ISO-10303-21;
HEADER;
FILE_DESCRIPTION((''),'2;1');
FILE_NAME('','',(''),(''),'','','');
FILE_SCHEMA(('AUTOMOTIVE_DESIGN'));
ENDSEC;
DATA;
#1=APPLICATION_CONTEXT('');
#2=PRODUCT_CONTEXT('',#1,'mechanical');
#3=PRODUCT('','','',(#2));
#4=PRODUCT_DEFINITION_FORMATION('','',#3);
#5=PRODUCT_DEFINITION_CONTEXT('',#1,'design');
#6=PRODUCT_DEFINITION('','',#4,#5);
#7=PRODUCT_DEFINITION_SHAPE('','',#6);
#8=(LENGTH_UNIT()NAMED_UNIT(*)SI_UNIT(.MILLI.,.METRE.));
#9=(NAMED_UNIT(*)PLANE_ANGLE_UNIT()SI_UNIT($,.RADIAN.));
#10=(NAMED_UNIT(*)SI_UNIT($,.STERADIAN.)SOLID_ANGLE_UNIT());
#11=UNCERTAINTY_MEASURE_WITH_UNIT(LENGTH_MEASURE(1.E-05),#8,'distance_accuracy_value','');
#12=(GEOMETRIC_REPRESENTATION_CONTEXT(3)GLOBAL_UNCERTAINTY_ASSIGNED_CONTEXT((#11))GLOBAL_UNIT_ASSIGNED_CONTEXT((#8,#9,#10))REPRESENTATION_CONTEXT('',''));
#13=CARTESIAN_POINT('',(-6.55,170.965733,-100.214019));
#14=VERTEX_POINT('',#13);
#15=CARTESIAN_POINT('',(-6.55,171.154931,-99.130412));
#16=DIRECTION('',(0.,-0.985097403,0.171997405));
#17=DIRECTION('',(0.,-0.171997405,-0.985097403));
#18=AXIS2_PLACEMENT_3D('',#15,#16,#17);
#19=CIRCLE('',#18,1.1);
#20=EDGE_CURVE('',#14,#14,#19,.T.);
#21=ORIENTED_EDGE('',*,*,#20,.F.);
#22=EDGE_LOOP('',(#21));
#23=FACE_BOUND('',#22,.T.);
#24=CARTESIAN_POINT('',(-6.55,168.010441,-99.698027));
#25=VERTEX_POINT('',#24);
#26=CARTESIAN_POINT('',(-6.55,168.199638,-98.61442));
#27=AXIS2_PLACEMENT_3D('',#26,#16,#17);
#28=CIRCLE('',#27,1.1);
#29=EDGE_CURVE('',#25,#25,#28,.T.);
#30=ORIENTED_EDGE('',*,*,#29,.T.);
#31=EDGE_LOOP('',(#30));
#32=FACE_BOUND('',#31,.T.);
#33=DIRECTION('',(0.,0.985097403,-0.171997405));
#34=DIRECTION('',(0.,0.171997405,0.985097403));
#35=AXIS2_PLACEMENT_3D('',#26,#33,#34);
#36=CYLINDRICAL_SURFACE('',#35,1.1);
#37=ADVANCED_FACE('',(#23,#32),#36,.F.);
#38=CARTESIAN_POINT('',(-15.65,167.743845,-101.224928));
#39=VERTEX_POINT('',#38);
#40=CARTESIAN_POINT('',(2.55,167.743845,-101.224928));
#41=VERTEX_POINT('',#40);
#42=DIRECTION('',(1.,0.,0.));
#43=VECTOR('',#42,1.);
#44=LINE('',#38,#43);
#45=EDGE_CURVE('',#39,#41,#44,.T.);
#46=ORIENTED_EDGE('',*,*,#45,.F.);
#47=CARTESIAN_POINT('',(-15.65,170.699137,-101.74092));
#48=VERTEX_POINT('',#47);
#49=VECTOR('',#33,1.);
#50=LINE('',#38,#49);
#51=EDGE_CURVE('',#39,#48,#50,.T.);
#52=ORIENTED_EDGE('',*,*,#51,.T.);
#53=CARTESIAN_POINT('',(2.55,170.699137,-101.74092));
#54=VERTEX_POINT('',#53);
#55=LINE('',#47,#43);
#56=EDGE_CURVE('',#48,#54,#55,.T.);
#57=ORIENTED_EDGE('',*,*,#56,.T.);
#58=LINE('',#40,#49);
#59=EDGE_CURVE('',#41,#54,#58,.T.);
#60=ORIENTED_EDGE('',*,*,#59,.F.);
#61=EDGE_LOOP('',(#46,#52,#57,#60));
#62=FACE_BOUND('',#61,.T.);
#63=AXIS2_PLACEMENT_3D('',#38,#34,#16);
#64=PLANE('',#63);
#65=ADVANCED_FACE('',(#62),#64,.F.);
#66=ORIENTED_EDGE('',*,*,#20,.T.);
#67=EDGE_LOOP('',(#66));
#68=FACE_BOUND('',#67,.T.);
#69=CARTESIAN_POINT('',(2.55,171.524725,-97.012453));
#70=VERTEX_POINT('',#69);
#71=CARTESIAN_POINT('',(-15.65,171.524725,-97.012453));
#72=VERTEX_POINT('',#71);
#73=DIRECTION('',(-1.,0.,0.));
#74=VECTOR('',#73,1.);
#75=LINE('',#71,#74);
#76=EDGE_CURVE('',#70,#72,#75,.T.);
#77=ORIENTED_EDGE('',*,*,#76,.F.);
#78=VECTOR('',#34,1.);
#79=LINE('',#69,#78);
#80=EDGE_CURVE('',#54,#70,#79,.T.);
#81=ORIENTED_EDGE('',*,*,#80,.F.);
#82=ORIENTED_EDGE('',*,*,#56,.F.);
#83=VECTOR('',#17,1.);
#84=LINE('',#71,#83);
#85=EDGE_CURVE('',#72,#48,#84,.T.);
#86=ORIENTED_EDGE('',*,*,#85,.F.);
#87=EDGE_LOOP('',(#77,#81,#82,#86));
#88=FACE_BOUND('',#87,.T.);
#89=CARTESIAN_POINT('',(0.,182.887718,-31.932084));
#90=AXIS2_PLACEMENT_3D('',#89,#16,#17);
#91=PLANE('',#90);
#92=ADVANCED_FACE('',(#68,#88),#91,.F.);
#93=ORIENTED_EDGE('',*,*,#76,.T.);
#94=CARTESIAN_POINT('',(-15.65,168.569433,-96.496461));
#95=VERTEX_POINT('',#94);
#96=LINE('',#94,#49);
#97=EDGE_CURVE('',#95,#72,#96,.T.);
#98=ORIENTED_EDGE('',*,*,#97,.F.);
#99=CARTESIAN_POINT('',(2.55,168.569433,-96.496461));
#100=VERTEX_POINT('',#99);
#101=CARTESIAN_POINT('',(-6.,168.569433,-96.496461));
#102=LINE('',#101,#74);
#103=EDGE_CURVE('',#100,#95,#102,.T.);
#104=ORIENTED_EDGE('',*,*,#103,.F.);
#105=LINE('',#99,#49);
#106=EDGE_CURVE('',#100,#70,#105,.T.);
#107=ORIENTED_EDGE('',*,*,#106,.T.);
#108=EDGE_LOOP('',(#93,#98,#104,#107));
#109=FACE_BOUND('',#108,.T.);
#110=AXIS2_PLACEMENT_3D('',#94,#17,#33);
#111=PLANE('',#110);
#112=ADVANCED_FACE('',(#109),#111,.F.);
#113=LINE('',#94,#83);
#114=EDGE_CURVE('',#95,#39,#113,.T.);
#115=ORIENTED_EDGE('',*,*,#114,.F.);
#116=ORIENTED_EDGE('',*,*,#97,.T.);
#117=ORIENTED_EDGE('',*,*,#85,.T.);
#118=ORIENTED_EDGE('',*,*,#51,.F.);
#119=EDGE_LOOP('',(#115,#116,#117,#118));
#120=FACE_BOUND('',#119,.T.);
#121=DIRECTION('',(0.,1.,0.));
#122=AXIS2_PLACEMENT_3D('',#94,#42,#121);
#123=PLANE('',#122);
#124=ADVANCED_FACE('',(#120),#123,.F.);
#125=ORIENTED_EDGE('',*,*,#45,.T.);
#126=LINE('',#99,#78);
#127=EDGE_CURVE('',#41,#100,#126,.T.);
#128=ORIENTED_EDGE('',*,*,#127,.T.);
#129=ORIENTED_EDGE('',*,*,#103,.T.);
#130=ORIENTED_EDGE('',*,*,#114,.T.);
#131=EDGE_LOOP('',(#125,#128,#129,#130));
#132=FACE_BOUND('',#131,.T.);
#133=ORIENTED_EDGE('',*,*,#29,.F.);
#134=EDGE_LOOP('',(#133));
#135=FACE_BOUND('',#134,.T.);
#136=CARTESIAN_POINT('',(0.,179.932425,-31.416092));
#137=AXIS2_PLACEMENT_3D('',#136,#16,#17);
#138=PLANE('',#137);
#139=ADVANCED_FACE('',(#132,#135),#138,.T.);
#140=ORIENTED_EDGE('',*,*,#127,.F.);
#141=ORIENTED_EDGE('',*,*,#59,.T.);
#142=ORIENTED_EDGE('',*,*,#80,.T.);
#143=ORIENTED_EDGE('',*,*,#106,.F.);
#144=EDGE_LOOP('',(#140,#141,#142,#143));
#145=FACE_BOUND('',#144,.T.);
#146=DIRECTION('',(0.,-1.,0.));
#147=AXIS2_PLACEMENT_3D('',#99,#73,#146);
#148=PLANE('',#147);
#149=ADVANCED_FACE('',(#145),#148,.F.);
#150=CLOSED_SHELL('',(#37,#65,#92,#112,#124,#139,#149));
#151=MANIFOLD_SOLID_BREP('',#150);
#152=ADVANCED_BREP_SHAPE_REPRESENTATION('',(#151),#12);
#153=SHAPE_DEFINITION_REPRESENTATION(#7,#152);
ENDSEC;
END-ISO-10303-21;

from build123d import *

# Parameters (mm, degrees)
SKETCH1_R           = 1.1
BOSS_EXTRUDE1_DEPTH = 3


with BuildPart() as part:
    # Sketch1 → Boss-Extrude1 (new body)
    with BuildSketch(Plane(origin=(0, 182.8877177, -31.932083898), x_dir=(1, 0, 0), z_dir=(0, -0.9850974025792159, 0.17199740530508756))):
        Polygon((-15.65, -70.86490771), (2.55, -70.86490771), (2.55, -66.06490771), (-6, -66.06490771), (-7.1, -66.06490771), (-15.65, -66.06490771), align=None)
        with Locations(Location((-6.55, -68.21490771, 0), (0, 0, 270))):
            Circle(SKETCH1_R, mode=Mode.SUBTRACT)
    extrude(amount=BOSS_EXTRUDE1_DEPTH)


solid = part.part
